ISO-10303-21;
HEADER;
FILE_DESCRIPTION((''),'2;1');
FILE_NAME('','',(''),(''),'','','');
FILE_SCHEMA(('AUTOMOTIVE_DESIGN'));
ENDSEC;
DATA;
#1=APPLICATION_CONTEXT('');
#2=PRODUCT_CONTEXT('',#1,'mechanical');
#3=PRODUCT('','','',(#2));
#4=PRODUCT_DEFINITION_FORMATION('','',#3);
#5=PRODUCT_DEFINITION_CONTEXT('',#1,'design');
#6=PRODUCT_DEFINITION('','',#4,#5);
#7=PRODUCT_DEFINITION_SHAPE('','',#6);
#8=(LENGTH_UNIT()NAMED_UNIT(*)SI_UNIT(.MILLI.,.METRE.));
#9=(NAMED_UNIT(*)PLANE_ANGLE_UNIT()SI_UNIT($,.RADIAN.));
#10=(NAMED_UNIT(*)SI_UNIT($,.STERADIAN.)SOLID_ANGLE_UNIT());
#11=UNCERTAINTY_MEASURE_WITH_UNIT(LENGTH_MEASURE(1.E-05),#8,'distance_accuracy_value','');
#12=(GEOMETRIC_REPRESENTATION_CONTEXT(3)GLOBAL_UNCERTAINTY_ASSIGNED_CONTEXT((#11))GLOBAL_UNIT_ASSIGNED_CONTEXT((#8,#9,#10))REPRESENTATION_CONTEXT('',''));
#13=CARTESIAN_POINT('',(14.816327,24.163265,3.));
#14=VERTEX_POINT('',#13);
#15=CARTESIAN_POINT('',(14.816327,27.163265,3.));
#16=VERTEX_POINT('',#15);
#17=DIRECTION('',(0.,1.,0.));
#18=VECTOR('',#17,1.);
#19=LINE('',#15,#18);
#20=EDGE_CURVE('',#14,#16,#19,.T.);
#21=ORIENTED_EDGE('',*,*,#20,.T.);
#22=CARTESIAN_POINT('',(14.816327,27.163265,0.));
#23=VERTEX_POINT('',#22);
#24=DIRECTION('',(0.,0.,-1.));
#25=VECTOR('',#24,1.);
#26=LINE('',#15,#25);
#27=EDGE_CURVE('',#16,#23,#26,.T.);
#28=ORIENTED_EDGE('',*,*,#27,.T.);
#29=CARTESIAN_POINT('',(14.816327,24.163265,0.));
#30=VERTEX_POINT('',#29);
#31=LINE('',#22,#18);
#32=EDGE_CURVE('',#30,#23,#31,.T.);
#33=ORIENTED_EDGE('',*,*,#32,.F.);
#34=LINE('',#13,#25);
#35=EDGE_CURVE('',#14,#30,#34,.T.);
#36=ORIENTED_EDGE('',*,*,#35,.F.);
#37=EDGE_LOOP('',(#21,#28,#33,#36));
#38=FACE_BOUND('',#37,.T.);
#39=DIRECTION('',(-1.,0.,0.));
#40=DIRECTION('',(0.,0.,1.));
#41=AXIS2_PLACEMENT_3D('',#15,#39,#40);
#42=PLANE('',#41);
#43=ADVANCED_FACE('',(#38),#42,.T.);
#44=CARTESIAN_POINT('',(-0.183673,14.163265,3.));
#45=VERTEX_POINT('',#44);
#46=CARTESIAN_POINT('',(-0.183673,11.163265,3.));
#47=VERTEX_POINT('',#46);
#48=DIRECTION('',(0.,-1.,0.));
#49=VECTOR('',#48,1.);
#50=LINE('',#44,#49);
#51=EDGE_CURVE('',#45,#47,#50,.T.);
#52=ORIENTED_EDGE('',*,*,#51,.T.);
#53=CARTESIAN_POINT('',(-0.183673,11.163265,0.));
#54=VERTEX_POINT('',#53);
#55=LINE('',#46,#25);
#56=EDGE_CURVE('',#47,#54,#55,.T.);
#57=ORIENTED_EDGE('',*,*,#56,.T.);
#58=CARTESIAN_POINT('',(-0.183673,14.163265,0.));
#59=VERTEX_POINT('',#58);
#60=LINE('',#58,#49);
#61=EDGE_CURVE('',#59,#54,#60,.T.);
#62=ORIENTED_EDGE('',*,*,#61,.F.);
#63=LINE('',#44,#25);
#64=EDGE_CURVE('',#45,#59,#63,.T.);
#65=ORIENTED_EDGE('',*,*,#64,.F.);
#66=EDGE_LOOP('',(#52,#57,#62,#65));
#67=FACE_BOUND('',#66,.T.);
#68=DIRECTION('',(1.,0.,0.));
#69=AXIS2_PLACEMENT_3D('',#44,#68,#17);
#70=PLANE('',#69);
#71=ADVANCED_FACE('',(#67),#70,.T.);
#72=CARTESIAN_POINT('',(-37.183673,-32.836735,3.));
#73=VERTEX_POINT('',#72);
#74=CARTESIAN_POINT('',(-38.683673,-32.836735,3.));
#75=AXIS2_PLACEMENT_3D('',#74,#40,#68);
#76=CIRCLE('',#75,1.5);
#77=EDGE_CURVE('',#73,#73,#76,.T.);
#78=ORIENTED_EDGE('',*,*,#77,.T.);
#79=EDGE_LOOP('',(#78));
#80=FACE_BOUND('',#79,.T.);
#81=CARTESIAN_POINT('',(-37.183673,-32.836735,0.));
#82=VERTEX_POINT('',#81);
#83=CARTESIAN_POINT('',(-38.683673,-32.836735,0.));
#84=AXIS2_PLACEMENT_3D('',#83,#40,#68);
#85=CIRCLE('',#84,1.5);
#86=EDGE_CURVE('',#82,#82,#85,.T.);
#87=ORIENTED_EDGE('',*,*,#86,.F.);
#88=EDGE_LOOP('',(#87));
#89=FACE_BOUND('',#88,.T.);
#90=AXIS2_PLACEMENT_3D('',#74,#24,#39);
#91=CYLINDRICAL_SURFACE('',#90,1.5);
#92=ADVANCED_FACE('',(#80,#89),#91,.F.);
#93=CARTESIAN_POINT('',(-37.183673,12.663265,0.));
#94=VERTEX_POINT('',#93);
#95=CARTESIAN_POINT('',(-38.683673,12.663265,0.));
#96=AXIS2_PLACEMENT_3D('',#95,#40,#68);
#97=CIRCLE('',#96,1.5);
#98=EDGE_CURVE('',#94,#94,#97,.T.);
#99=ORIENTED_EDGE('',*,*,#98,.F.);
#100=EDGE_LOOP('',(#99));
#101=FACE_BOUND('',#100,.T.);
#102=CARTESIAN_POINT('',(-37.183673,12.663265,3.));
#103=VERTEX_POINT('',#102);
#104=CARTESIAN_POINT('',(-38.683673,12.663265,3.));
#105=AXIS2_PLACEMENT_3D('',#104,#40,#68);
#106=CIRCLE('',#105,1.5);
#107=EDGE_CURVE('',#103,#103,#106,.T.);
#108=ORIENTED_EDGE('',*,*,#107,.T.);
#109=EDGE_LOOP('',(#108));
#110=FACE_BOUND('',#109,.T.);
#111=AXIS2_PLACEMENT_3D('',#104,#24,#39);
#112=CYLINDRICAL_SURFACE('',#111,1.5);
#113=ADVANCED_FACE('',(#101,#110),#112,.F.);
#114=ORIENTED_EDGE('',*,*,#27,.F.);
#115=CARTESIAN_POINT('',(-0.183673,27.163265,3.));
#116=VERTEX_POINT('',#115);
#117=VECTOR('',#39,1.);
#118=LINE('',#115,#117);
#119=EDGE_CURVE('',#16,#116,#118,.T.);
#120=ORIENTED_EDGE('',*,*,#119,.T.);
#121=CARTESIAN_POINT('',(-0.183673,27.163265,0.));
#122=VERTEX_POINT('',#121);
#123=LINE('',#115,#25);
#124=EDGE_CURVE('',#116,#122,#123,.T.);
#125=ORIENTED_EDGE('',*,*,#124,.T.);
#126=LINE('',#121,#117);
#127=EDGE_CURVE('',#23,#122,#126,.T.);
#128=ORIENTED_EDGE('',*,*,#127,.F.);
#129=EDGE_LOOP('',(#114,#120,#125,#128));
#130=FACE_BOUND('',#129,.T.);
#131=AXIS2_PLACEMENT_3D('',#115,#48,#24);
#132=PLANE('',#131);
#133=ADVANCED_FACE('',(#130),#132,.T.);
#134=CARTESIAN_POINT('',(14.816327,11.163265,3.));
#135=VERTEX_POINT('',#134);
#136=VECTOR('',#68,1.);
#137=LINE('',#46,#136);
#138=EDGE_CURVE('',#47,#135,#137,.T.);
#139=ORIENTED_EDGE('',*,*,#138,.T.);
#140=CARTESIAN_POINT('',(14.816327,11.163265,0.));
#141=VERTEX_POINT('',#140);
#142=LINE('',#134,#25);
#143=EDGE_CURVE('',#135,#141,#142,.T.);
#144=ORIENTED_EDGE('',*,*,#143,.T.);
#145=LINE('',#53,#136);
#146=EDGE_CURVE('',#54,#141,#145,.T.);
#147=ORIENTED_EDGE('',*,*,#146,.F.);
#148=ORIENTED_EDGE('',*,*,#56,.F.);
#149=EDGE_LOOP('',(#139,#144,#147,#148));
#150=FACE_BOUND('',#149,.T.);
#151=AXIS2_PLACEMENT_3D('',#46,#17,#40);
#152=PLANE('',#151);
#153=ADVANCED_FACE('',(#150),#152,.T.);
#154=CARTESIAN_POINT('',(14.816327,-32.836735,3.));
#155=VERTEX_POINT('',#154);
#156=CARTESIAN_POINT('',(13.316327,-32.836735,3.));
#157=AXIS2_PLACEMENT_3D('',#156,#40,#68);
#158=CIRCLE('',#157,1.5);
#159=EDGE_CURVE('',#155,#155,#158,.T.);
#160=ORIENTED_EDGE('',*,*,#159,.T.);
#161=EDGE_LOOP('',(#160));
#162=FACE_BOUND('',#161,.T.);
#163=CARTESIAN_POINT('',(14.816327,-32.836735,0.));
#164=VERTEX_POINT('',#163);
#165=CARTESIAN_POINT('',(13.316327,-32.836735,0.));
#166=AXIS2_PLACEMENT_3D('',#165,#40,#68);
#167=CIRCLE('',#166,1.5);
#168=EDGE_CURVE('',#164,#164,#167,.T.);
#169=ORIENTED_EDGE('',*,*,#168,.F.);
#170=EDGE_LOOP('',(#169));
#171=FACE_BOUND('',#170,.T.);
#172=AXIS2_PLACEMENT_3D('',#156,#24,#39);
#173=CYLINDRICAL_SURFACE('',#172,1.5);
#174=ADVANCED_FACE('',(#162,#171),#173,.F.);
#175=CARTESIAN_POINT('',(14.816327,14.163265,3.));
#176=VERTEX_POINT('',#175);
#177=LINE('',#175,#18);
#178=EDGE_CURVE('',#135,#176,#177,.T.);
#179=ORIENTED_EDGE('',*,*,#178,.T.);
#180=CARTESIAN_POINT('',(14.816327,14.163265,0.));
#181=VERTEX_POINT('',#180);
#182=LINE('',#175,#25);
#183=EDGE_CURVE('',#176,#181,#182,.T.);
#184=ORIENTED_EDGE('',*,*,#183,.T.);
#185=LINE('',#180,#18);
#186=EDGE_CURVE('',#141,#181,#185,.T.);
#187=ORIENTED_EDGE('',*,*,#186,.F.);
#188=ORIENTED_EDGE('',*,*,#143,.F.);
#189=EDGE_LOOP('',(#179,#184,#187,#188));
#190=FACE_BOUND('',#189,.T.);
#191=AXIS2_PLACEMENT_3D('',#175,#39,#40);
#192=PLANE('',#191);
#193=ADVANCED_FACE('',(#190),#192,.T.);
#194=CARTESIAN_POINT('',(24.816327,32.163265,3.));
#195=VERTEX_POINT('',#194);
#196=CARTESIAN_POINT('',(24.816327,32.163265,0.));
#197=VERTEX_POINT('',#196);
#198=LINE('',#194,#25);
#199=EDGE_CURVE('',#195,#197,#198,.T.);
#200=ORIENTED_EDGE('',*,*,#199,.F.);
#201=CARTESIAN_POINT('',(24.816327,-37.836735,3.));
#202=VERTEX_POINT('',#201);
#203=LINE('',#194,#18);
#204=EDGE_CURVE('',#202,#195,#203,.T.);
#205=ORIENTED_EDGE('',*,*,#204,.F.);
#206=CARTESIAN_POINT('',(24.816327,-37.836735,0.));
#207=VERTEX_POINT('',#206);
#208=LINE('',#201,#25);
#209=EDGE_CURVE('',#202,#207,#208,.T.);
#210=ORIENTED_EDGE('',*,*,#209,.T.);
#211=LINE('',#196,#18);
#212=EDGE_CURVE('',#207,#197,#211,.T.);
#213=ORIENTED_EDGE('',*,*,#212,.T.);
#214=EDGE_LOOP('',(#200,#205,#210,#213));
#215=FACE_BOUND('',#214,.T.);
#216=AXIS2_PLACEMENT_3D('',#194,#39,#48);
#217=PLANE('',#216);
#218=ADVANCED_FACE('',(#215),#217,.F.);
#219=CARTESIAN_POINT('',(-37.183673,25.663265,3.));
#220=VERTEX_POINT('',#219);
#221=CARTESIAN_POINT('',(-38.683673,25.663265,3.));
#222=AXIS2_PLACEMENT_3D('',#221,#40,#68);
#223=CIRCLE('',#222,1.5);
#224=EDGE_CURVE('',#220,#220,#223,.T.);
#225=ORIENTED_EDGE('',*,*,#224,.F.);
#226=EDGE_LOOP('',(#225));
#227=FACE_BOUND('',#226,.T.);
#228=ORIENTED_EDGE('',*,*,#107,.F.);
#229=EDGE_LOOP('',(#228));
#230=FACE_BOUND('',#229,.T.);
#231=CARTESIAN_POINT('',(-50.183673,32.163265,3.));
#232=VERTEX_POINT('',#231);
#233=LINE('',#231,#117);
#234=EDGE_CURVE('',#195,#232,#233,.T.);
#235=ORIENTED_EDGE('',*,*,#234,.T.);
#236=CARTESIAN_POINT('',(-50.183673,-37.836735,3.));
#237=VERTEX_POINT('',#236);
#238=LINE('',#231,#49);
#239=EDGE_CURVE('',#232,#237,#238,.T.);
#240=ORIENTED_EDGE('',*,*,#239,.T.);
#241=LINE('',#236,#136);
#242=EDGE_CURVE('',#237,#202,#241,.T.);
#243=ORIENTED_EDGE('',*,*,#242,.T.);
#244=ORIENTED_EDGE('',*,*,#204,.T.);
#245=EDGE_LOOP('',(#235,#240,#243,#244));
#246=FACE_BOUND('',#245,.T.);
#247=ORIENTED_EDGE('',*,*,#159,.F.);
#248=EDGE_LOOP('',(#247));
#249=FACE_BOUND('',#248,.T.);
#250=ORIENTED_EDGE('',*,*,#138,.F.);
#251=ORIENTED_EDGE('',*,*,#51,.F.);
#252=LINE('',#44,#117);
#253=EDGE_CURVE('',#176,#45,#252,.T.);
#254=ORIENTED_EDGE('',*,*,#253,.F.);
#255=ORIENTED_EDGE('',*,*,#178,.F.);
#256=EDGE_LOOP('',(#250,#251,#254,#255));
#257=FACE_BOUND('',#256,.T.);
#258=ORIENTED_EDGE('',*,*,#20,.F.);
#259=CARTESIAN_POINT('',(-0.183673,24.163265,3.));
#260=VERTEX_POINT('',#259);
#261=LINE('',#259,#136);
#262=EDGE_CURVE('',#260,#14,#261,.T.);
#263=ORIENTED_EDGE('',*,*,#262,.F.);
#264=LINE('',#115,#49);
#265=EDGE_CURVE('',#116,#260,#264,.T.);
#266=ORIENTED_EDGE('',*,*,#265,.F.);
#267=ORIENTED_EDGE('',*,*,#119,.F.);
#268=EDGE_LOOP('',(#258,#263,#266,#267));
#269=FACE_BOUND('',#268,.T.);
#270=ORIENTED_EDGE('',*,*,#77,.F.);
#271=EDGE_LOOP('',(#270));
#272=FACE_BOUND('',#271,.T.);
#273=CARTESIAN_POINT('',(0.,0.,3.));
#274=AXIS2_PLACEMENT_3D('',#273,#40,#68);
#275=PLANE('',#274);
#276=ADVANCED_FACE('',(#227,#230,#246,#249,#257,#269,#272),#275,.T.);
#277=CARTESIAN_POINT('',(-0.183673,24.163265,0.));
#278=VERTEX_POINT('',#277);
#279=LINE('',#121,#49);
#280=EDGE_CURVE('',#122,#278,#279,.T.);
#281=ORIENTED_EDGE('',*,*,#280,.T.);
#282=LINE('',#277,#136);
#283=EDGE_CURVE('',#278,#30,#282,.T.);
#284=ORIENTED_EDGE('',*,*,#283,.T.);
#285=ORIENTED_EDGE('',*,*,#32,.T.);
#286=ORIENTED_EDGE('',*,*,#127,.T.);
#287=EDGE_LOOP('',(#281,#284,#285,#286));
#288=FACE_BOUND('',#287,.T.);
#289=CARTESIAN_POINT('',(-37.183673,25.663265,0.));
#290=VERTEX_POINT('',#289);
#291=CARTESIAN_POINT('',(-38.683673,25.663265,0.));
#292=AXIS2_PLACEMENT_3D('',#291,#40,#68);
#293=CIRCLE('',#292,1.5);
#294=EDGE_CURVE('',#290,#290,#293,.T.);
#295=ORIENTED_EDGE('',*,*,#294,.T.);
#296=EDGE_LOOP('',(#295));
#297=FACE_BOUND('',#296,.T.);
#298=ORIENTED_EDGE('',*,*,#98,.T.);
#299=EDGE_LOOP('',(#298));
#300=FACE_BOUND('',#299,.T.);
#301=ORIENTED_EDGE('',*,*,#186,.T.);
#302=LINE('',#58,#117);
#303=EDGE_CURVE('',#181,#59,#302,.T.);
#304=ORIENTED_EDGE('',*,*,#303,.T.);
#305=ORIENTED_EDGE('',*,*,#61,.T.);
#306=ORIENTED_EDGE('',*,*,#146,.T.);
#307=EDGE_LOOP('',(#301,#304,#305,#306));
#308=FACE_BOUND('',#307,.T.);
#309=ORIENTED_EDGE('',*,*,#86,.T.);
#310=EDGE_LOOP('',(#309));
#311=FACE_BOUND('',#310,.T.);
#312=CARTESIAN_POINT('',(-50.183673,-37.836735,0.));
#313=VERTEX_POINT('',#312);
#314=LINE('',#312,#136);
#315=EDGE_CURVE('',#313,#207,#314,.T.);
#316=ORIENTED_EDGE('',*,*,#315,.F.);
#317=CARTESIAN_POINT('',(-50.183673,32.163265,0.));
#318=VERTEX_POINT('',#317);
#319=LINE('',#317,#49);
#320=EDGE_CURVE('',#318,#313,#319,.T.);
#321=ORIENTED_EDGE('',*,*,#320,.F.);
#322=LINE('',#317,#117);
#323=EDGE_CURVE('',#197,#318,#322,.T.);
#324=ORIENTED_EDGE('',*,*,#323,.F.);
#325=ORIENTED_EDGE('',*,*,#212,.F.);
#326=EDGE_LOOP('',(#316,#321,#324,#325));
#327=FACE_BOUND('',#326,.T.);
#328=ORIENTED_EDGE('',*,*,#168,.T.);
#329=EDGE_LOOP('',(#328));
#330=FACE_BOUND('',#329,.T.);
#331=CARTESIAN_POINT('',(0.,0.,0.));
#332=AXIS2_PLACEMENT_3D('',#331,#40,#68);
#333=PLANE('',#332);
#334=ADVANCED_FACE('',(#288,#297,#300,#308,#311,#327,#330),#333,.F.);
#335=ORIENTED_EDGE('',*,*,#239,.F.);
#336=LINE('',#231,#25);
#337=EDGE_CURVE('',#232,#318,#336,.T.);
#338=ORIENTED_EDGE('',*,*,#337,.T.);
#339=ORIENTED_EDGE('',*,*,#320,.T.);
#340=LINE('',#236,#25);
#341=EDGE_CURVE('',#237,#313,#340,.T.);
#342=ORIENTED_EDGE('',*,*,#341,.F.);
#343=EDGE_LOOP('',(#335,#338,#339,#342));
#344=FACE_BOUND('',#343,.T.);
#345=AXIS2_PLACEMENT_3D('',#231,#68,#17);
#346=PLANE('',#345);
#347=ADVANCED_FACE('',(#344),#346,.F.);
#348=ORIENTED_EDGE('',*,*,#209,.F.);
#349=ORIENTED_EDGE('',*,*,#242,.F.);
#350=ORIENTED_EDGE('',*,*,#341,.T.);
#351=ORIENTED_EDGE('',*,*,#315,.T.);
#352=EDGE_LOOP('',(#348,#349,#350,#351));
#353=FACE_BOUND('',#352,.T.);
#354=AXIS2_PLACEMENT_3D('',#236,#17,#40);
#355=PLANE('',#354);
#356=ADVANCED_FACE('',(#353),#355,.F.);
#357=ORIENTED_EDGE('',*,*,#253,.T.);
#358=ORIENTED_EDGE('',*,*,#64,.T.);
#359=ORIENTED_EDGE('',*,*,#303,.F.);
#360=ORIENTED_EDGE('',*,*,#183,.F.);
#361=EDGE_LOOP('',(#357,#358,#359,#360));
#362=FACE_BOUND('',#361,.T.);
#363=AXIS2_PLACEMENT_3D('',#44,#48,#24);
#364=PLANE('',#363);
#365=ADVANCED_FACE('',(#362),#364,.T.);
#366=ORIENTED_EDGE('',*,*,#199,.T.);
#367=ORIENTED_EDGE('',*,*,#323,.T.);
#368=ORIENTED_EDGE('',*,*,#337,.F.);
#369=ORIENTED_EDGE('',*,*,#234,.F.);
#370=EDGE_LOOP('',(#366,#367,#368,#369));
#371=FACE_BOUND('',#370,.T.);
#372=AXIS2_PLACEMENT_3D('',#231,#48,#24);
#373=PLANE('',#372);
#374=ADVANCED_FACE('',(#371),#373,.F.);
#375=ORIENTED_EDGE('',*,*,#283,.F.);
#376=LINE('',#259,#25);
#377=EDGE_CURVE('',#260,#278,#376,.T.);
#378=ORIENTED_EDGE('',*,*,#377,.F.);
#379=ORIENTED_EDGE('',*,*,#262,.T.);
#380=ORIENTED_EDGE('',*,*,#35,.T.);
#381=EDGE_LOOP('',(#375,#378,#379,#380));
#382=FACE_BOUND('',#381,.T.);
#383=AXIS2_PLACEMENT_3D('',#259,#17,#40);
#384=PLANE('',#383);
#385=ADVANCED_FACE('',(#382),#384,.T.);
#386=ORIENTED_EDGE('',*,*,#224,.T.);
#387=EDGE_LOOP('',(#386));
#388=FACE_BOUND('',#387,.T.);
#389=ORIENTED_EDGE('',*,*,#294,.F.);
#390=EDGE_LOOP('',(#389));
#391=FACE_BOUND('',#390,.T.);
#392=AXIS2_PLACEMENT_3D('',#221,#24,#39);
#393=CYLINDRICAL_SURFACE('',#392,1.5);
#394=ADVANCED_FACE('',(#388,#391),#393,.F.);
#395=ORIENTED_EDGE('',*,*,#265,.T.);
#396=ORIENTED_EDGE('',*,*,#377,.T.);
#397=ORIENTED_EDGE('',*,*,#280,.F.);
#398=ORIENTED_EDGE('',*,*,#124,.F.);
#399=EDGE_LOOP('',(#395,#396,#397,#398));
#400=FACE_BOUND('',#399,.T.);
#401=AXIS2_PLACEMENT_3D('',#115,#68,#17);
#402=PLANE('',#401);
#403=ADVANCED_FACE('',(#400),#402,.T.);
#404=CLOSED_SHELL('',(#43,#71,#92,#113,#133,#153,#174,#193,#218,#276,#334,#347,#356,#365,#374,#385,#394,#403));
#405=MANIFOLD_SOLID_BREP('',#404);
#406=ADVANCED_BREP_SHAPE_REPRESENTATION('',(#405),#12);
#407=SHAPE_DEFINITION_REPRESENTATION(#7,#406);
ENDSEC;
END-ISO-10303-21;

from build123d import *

# Parameters (mm, degrees)
ESQUISSE1_W        = 75
ESQUISSE1_H        = 70
ESQUISSE1_R        = 1.5
ESQUISSE1_W_2      = 15
ESQUISSE1_H_2      = 3
BOSS_EXTRU_1_DEPTH = 3


with BuildPart() as part:
    # Esquisse1 → Boss.-Extru.1 (new body)
    with BuildSketch(Plane.XY):
        with Locations((-12.683673469, -2.836734694)):
            Rectangle(ESQUISSE1_W, ESQUISSE1_H)
        with Locations((-38.683673469, 25.663265306)):
            Circle(ESQUISSE1_R, mode=Mode.SUBTRACT)
        with Locations((-38.683673469, 12.663265306)):
            Circle(ESQUISSE1_R, mode=Mode.SUBTRACT)
        with Locations((-38.683673469, -32.836734694)):
            Circle(ESQUISSE1_R, mode=Mode.SUBTRACT)
        with Locations((13.316326531, -32.836734694)):
            Circle(ESQUISSE1_R, mode=Mode.SUBTRACT)
        with Locations((7.316326531, 12.663265306)):
            Rectangle(ESQUISSE1_W_2, ESQUISSE1_H_2, mode=Mode.SUBTRACT)
        with Locations((7.316326531, 25.663265306)):
            Rectangle(ESQUISSE1_W_2, ESQUISSE1_H_2, mode=Mode.SUBTRACT)
    extrude(amount=BOSS_EXTRU_1_DEPTH)


solid = part.part
